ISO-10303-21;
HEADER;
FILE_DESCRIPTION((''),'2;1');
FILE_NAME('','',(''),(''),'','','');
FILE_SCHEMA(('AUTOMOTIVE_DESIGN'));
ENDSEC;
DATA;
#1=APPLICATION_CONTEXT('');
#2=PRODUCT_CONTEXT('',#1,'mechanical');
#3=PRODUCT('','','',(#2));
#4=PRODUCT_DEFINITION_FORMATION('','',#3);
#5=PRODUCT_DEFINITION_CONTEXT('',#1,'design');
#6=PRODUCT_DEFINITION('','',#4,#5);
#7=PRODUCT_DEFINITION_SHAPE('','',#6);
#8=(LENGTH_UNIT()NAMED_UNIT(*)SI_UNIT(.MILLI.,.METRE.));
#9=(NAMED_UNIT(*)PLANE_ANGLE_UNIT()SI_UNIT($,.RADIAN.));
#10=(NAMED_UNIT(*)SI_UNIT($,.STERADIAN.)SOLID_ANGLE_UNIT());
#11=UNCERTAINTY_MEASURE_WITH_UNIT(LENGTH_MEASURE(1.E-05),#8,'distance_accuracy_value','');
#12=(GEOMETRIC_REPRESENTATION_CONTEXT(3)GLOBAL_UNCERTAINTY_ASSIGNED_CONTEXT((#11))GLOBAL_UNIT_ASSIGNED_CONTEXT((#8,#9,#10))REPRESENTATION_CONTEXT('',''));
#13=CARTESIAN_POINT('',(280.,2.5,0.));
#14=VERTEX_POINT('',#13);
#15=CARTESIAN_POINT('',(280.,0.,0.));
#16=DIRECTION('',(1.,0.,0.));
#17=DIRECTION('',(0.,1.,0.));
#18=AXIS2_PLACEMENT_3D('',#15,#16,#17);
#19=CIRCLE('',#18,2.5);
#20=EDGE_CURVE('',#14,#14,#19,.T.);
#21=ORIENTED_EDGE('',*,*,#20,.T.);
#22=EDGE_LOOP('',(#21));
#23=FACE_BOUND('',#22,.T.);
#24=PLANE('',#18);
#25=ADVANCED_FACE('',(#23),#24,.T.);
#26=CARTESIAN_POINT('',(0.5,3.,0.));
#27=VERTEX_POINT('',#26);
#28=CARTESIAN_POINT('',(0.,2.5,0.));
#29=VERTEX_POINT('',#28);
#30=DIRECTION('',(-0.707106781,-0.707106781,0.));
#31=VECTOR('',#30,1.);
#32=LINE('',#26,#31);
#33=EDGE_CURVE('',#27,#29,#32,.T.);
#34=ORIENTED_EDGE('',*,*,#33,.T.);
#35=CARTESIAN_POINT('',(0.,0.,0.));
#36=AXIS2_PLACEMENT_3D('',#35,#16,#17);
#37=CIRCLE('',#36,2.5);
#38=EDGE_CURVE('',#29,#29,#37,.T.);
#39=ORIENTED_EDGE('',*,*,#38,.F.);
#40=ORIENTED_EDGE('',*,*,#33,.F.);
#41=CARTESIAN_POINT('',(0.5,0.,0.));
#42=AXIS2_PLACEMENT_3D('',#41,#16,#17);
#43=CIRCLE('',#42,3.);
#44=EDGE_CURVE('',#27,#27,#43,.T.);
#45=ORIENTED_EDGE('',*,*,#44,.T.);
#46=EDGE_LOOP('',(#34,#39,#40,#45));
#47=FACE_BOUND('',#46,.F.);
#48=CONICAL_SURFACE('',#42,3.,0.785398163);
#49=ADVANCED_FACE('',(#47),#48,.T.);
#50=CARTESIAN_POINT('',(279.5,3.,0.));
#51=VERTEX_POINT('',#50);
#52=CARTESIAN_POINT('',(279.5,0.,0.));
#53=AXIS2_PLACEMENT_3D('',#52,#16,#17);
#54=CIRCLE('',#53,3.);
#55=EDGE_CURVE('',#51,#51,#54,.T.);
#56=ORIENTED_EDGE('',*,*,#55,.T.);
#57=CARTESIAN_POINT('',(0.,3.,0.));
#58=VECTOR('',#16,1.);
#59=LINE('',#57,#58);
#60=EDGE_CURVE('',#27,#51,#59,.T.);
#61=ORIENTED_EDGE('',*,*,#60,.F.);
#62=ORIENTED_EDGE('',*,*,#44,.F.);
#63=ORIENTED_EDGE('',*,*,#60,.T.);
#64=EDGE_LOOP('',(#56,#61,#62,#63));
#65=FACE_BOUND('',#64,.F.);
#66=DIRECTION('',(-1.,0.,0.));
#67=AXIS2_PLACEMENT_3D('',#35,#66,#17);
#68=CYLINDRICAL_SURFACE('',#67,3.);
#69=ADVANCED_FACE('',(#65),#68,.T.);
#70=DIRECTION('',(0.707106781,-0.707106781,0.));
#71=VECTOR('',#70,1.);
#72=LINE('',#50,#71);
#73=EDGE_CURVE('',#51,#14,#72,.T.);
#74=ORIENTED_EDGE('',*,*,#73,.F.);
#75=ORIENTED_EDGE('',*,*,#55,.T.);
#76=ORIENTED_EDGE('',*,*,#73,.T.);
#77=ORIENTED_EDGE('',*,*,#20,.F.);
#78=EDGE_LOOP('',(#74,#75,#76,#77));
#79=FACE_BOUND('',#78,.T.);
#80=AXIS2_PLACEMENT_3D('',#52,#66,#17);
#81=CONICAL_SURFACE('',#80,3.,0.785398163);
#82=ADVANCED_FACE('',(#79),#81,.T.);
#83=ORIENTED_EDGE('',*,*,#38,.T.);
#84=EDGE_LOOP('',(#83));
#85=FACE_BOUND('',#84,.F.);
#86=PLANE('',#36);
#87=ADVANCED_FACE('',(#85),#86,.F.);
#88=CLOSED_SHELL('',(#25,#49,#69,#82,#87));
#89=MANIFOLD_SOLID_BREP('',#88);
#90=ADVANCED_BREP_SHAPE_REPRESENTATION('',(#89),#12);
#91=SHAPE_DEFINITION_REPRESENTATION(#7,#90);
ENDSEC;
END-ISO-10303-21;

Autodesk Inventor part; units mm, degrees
ref_plane "YZ Plane" through (0, 0, 0) normal (1, 0, 0) x (0, 1, 0)
ref_plane "XZ Plane" through (0, 0, 0) normal (0, 1, 0) x (-1, 0, 0)
ref_plane "XY Plane" through (0, 0, 0) normal (0, 0, 1) x (1, 0, 0)
sketch "Sketch1" plane through (0, 0, 0) normal (1, 0, 0) x (0, 1, 0)
  circle A0 centre (0, 0) radius 3
  dimension "d0" = 6
extrude "Extrusion1" add sketch "Sketch1" along normal blind 280
chamfer "Chamfer1" distance 0.5 angle 45 2 edges at (280, -3, 0) (0, -3, 0)
properties part number "280mm shaft"
